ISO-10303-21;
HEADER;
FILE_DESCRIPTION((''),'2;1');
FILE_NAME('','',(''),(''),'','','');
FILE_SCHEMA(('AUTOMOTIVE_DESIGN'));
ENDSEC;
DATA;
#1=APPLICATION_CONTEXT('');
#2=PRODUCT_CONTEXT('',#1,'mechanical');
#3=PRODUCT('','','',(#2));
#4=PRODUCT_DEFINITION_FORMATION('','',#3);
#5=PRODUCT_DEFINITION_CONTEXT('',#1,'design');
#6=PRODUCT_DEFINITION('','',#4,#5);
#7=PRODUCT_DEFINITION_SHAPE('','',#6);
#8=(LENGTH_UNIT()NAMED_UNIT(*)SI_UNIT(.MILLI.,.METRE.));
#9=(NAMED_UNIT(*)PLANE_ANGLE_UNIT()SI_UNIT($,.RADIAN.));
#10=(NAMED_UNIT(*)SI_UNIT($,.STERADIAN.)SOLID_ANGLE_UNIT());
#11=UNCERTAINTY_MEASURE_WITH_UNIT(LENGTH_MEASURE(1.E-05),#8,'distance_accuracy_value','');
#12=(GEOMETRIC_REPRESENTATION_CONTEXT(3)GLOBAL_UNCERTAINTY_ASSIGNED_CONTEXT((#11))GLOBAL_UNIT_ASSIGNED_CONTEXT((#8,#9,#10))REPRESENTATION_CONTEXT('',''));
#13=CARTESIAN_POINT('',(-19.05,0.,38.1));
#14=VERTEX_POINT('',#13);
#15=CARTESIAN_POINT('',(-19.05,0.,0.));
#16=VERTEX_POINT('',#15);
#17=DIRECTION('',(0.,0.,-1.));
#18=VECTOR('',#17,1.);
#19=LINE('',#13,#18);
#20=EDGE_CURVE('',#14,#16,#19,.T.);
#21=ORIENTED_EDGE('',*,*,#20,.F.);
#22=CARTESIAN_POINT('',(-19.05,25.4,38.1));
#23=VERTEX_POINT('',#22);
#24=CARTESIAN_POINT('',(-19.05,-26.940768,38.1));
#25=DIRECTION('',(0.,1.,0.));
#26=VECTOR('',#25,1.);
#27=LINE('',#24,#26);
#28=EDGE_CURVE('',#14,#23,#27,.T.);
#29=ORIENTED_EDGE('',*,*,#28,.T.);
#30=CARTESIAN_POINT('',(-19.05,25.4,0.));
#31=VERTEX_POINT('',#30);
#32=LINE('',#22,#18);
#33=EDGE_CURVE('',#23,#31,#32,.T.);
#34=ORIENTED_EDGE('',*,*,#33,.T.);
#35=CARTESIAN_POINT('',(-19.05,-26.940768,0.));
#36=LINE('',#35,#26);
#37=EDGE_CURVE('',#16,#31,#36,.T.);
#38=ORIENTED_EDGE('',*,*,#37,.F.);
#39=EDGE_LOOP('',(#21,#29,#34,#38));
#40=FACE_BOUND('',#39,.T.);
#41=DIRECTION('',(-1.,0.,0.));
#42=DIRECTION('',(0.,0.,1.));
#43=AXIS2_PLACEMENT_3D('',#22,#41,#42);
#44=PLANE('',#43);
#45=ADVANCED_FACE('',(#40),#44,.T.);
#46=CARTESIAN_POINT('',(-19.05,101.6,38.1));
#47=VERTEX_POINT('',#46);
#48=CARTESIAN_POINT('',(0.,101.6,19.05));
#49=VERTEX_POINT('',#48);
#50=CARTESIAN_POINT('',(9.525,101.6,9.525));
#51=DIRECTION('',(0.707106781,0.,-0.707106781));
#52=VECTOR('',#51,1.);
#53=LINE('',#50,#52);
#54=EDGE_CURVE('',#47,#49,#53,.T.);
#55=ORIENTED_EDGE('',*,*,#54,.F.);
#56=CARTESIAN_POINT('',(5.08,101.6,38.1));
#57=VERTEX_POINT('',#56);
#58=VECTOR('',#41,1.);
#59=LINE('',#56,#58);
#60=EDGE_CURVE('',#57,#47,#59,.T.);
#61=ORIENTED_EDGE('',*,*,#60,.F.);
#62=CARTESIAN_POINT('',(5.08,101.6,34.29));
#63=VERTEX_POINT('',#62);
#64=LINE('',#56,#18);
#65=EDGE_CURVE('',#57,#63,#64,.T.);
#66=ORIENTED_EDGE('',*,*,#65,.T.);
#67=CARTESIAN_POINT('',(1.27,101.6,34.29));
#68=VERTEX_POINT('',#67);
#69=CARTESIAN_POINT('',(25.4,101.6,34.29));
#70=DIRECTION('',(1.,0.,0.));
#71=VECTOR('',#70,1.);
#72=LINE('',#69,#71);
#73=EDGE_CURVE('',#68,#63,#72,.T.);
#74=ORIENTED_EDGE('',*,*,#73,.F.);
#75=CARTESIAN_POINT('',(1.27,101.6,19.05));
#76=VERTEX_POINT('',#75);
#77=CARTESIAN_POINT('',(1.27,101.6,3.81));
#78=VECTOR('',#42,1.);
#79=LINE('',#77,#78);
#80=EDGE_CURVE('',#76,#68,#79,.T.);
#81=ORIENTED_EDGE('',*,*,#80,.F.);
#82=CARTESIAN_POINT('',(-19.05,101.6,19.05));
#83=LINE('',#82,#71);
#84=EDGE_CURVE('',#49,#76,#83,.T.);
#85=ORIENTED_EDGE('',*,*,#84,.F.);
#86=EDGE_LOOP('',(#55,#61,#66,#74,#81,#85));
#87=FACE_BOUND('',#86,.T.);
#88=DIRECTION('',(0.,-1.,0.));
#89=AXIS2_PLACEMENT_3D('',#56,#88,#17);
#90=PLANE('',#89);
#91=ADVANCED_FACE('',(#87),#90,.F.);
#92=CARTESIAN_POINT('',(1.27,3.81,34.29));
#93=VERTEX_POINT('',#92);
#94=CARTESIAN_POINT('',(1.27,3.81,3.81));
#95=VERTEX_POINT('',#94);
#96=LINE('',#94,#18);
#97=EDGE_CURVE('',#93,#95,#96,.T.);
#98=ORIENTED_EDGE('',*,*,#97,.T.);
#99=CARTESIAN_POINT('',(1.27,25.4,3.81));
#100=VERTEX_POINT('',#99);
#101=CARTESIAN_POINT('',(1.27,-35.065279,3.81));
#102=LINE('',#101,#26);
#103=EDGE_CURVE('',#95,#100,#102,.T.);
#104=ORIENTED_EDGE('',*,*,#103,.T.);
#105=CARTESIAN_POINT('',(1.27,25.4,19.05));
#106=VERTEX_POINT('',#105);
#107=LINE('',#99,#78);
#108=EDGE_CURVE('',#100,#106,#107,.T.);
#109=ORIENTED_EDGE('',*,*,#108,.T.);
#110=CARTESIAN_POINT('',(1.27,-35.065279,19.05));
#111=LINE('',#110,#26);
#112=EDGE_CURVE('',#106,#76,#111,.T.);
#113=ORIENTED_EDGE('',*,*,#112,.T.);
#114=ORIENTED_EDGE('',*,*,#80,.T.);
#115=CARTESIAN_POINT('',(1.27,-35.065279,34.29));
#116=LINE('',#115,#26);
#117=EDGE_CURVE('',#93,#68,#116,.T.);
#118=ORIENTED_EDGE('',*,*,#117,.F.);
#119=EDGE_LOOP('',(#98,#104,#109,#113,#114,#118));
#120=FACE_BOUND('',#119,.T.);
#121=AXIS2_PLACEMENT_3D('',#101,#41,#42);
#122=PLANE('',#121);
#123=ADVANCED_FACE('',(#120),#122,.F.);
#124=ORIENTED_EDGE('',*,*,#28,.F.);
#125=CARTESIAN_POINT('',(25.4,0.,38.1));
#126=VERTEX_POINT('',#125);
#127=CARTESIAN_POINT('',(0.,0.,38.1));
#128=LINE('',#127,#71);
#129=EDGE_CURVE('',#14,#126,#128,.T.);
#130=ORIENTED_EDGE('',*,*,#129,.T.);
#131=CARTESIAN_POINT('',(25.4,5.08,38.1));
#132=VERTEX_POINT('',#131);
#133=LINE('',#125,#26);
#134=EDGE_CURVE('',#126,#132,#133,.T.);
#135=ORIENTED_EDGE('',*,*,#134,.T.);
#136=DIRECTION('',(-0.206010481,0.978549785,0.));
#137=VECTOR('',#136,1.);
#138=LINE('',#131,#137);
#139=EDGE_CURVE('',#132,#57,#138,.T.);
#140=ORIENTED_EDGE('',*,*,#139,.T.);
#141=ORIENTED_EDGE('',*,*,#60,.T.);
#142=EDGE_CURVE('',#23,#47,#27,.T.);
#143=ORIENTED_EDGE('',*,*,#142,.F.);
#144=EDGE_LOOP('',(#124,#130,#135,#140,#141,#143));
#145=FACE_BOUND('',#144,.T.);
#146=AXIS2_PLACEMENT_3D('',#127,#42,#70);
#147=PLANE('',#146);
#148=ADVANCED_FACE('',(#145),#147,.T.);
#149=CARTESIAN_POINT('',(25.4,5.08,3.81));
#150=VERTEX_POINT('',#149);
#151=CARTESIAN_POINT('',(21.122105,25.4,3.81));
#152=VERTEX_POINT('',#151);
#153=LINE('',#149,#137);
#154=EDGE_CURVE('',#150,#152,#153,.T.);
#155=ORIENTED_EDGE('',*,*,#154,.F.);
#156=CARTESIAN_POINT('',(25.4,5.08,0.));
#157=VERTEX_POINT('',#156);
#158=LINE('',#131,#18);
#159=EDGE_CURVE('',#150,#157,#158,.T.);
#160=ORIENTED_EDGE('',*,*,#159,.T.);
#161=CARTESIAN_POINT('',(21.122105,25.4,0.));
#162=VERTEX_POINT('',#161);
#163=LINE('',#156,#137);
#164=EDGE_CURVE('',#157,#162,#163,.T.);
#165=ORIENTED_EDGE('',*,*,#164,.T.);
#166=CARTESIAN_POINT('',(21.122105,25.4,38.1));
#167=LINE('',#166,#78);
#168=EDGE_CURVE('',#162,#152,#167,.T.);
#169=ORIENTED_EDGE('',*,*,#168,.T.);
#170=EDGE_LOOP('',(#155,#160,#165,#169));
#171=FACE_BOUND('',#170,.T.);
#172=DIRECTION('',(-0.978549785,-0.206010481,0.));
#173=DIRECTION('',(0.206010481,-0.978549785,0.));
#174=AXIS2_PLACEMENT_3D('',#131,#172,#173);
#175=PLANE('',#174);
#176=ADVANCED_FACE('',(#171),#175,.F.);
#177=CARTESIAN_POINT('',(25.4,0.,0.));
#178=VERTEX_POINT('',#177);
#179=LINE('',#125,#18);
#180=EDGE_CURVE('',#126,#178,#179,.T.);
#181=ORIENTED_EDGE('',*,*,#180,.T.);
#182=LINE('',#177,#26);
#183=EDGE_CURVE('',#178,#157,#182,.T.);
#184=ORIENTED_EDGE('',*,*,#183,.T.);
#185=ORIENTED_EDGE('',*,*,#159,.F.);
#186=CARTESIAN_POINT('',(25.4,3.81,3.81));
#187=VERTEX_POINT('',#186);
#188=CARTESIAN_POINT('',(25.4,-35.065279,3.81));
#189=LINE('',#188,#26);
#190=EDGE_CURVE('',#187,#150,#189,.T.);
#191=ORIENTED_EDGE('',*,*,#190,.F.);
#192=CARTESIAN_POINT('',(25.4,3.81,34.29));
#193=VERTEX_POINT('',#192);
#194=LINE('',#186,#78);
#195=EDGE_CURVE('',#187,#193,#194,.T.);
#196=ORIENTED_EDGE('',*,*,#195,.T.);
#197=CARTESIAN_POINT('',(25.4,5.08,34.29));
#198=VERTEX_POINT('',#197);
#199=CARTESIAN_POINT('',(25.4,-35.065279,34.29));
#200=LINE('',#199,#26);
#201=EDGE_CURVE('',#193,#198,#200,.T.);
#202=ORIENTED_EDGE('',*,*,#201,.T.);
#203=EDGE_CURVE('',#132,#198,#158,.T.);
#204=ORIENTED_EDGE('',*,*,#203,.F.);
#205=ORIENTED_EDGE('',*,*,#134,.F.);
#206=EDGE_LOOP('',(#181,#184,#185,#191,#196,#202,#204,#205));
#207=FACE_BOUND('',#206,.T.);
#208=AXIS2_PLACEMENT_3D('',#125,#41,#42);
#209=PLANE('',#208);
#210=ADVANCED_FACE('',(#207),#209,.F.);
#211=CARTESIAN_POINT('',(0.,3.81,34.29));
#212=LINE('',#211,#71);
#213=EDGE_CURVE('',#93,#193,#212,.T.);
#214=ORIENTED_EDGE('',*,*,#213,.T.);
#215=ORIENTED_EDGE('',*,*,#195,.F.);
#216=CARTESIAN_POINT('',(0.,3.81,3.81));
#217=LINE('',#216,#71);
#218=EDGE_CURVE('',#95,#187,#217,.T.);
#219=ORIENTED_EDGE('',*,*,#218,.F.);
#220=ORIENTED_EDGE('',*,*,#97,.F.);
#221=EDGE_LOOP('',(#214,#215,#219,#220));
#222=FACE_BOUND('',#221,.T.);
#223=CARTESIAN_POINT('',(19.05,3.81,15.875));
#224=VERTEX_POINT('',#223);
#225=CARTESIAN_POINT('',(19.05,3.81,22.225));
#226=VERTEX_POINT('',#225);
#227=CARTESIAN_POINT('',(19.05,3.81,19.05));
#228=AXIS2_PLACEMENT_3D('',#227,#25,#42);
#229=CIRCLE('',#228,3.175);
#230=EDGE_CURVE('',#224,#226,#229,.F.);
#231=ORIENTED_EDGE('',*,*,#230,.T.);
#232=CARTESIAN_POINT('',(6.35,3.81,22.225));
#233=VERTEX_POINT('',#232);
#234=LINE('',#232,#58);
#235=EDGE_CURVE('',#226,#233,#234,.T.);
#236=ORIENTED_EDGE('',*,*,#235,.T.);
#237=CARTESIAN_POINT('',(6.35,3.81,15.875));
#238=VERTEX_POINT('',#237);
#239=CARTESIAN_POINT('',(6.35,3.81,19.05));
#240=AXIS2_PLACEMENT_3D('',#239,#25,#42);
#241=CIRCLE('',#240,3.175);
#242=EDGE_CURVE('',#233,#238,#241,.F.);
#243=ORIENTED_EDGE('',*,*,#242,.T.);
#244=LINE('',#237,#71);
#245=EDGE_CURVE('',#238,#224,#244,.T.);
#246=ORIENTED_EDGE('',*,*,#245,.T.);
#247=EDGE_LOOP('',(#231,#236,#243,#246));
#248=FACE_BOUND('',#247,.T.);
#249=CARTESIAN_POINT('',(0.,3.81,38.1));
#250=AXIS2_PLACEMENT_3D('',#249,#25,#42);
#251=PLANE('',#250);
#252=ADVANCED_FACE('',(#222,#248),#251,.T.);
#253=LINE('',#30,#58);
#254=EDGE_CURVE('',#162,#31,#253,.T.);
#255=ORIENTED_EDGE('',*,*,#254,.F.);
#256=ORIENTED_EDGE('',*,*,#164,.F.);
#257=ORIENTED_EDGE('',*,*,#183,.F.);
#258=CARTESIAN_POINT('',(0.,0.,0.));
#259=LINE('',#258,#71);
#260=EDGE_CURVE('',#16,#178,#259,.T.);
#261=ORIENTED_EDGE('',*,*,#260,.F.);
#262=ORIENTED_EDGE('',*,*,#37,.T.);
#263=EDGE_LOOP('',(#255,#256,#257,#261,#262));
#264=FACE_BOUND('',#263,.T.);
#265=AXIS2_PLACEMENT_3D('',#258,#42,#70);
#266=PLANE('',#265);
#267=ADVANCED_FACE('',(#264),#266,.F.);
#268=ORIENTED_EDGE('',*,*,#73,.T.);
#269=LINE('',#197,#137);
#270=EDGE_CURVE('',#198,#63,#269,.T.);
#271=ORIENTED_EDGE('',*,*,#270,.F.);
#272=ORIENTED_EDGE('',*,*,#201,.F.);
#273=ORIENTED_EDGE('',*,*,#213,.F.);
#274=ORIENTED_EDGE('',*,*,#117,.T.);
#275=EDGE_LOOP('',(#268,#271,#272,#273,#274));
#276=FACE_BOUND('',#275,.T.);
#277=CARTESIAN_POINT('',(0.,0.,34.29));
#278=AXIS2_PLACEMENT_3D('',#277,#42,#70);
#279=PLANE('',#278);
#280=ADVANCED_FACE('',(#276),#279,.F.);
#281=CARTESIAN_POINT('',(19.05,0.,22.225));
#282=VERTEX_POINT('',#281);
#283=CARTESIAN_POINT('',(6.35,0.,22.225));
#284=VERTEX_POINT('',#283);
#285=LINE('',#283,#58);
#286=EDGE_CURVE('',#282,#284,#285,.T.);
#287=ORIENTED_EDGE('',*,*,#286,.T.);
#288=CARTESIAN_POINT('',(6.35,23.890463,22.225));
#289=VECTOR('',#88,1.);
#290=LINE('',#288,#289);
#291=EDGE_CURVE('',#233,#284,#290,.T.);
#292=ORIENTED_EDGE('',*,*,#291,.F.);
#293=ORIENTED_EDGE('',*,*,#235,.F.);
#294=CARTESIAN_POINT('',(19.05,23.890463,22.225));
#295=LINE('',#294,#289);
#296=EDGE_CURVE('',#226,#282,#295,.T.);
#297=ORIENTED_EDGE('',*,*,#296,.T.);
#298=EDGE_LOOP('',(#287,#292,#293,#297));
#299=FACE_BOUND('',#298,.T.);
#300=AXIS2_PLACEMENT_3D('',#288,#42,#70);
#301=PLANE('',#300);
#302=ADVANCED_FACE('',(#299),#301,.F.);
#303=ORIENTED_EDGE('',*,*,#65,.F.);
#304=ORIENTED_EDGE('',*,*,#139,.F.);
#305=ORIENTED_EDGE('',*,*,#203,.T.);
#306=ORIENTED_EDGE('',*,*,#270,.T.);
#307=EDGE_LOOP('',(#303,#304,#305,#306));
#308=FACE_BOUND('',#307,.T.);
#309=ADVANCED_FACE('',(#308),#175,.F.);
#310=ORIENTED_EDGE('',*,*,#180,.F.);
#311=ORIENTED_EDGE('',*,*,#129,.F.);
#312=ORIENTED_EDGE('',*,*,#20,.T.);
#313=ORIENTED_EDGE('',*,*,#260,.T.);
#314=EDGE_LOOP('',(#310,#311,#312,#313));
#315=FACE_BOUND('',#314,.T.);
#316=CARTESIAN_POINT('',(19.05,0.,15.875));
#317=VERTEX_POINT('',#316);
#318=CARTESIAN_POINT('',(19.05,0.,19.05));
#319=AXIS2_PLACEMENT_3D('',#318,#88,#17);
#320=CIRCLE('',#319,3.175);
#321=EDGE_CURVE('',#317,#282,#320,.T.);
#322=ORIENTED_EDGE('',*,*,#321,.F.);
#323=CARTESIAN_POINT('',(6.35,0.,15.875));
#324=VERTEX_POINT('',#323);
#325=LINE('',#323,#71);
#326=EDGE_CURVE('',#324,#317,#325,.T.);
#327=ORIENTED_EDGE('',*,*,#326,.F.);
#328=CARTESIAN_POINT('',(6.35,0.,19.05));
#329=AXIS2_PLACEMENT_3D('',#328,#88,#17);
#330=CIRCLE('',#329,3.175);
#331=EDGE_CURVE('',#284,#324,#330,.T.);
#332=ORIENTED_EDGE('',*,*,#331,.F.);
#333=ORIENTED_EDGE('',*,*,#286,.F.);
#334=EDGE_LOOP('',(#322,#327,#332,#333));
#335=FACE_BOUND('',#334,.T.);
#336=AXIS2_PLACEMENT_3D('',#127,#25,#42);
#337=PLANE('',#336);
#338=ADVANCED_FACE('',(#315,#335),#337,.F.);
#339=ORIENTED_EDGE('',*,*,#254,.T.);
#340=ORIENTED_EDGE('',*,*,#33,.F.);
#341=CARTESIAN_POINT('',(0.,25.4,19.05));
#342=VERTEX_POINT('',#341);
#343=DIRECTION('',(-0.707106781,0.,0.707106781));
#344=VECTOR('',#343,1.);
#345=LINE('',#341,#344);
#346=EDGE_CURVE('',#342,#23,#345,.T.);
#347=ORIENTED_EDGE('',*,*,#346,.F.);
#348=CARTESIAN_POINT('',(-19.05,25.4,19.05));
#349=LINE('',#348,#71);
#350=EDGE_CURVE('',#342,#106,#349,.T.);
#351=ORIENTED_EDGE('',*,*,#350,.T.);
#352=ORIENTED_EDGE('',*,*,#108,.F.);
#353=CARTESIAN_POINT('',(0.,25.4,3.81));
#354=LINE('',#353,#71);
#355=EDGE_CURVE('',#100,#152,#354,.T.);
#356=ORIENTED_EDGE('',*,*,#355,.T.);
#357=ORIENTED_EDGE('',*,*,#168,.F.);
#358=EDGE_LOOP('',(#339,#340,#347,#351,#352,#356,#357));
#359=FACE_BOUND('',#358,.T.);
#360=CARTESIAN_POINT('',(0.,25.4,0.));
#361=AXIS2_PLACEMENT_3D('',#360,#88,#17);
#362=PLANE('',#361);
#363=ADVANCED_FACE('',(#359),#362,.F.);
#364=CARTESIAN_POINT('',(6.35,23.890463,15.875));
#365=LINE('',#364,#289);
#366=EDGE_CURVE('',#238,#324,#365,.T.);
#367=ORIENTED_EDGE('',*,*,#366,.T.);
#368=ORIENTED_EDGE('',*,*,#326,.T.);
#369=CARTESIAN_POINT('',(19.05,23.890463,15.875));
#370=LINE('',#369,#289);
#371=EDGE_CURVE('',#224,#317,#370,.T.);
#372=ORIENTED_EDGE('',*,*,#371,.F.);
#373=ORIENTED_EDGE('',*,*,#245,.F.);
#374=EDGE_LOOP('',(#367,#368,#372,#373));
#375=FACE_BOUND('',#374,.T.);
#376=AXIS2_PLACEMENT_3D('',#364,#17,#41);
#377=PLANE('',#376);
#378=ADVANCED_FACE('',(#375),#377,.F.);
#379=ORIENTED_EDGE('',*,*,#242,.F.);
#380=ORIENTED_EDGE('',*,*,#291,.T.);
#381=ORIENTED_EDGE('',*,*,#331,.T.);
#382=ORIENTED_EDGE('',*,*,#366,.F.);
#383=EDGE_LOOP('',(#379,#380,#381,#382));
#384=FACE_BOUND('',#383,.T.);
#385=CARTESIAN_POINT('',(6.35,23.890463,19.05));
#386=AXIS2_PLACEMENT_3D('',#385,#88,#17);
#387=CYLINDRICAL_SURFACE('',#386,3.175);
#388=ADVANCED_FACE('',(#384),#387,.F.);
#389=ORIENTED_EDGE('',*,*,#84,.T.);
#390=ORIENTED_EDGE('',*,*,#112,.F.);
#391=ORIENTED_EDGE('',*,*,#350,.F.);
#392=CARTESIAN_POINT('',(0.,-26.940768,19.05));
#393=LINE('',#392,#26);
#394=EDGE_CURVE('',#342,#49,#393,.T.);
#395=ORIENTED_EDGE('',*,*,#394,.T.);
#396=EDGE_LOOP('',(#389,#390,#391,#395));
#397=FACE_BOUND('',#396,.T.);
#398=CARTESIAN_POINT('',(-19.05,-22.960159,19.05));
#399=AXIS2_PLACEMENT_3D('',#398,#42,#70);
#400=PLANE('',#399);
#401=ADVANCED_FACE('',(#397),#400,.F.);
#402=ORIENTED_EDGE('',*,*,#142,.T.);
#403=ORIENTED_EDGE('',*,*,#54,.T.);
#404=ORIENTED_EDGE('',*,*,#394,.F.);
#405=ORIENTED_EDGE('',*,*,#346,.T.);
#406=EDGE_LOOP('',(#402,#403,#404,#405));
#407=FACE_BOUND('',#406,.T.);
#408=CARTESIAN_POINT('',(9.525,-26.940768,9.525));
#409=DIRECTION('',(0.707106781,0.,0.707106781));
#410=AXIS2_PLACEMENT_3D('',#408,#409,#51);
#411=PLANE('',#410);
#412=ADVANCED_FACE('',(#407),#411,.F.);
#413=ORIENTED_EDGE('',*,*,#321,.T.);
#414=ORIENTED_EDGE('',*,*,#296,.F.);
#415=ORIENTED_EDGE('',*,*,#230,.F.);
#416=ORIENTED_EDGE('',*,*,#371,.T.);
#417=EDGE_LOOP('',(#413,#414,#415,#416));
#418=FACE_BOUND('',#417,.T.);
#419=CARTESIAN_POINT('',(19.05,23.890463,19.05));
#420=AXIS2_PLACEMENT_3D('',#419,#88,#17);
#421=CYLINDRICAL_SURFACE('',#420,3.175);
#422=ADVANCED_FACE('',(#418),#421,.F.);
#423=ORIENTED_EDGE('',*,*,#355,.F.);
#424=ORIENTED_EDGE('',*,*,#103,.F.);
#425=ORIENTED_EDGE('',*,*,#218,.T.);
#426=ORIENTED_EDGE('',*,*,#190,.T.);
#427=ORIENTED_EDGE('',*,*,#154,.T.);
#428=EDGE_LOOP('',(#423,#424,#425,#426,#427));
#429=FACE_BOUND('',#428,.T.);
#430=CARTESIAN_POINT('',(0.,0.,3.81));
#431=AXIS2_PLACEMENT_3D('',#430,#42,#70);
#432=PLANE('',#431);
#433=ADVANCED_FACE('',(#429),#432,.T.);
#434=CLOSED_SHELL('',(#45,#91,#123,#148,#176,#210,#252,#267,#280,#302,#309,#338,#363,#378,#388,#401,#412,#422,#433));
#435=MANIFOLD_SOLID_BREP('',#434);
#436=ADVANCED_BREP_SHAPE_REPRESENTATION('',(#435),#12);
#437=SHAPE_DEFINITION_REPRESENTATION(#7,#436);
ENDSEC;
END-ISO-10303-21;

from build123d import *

# Parameters (mm, degrees)
BOSS_EXTRUDE1_DEPTH = 38.1
SHELL1_T            = -3.81
CUT_EXTRUDE1_DEPTH  = 3.81
BOSS_EXTRUDE2_DEPTH = 101.6
SKETCH5_W           = 24.13
SKETCH5_H           = 30.48
CUT_EXTRUDE2_DEPTH  = 97.79
BOSS_EXTRUDE3_DEPTH = 25.4
SKETCH9_W           = 44.45
SKETCH9_H           = 19.05
CUT_EXTRUDE4_DEPTH  = 76.2


with BuildPart() as part:
    # Sketch1 → Boss-Extrude1 (new body)
    with BuildSketch(Plane.XY):
        Polygon((0, 0), (25.4, 0), (25.4, 5.08), (5.08, 101.6), (0, 101.6), align=None)
    extrude(amount=BOSS_EXTRUDE1_DEPTH)

    # Shell1
    shell1_openings = [part.faces().sort_by_distance(p)[0] for p in [
        (15.24, 53.34, 19.05),
    ]]
    offset(amount=SHELL1_T, openings=shell1_openings, kind=Kind.INTERSECTION)

    # Sketch2 → Cut-Extrude1 (cut)
    with BuildSketch(Plane.XZ):
        with BuildLine():
            Line((6.35, 22.225), (19.05, 22.225))
            ThreePointArc((19.05, 22.225), (22.225, 19.05), (19.05, 15.875))
            Line((19.05, 15.875), (6.35, 15.875))
            ThreePointArc((6.35, 15.875), (3.175, 19.05), (6.35, 22.225))
        make_face()
    extrude(amount=-CUT_EXTRUDE1_DEPTH, mode=Mode.SUBTRACT)

    # Sketch3 → Boss-Extrude2 (add)
    with BuildSketch(Plane(origin=(0, 101.6, 0), x_dir=(1, 0, 0), z_dir=(0, 1, 0))):
        Polygon((-19.05, 0), (0, -19.05), (0, 0), align=None)
        Polygon((0, -38.1), (0, -19.05), (-19.05, -38.1), align=None)
    extrude(amount=-BOSS_EXTRUDE2_DEPTH)

    # Sketch5 → Cut-Extrude2 (cut)
    with BuildSketch(Plane(origin=(0, 101.6, 0), x_dir=(1, 0, 0), z_dir=(0, 1, 0))):
        with Locations((13.335, -19.05)):
            Rectangle(SKETCH5_W, SKETCH5_H)
    extrude(amount=-CUT_EXTRUDE2_DEPTH, mode=Mode.SUBTRACT)

    # Sketch6 → Boss-Extrude3 (add)
    with BuildSketch(Plane.XZ):
        Polygon((-19.05, 0), (0, 19.05), (-19.05, 38.1), align=None)
    extrude(amount=-BOSS_EXTRUDE3_DEPTH)

    # Sketch9 → Cut-Extrude4 (cut)
    with BuildSketch(Plane(origin=(0, 101.6, 0), x_dir=(1, 0, 0), z_dir=(0, 1, 0))):
        with Locations((3.175, -9.525)):
            Rectangle(SKETCH9_W, SKETCH9_H)
    extrude(amount=-CUT_EXTRUDE4_DEPTH, mode=Mode.SUBTRACT)


solid = part.part
